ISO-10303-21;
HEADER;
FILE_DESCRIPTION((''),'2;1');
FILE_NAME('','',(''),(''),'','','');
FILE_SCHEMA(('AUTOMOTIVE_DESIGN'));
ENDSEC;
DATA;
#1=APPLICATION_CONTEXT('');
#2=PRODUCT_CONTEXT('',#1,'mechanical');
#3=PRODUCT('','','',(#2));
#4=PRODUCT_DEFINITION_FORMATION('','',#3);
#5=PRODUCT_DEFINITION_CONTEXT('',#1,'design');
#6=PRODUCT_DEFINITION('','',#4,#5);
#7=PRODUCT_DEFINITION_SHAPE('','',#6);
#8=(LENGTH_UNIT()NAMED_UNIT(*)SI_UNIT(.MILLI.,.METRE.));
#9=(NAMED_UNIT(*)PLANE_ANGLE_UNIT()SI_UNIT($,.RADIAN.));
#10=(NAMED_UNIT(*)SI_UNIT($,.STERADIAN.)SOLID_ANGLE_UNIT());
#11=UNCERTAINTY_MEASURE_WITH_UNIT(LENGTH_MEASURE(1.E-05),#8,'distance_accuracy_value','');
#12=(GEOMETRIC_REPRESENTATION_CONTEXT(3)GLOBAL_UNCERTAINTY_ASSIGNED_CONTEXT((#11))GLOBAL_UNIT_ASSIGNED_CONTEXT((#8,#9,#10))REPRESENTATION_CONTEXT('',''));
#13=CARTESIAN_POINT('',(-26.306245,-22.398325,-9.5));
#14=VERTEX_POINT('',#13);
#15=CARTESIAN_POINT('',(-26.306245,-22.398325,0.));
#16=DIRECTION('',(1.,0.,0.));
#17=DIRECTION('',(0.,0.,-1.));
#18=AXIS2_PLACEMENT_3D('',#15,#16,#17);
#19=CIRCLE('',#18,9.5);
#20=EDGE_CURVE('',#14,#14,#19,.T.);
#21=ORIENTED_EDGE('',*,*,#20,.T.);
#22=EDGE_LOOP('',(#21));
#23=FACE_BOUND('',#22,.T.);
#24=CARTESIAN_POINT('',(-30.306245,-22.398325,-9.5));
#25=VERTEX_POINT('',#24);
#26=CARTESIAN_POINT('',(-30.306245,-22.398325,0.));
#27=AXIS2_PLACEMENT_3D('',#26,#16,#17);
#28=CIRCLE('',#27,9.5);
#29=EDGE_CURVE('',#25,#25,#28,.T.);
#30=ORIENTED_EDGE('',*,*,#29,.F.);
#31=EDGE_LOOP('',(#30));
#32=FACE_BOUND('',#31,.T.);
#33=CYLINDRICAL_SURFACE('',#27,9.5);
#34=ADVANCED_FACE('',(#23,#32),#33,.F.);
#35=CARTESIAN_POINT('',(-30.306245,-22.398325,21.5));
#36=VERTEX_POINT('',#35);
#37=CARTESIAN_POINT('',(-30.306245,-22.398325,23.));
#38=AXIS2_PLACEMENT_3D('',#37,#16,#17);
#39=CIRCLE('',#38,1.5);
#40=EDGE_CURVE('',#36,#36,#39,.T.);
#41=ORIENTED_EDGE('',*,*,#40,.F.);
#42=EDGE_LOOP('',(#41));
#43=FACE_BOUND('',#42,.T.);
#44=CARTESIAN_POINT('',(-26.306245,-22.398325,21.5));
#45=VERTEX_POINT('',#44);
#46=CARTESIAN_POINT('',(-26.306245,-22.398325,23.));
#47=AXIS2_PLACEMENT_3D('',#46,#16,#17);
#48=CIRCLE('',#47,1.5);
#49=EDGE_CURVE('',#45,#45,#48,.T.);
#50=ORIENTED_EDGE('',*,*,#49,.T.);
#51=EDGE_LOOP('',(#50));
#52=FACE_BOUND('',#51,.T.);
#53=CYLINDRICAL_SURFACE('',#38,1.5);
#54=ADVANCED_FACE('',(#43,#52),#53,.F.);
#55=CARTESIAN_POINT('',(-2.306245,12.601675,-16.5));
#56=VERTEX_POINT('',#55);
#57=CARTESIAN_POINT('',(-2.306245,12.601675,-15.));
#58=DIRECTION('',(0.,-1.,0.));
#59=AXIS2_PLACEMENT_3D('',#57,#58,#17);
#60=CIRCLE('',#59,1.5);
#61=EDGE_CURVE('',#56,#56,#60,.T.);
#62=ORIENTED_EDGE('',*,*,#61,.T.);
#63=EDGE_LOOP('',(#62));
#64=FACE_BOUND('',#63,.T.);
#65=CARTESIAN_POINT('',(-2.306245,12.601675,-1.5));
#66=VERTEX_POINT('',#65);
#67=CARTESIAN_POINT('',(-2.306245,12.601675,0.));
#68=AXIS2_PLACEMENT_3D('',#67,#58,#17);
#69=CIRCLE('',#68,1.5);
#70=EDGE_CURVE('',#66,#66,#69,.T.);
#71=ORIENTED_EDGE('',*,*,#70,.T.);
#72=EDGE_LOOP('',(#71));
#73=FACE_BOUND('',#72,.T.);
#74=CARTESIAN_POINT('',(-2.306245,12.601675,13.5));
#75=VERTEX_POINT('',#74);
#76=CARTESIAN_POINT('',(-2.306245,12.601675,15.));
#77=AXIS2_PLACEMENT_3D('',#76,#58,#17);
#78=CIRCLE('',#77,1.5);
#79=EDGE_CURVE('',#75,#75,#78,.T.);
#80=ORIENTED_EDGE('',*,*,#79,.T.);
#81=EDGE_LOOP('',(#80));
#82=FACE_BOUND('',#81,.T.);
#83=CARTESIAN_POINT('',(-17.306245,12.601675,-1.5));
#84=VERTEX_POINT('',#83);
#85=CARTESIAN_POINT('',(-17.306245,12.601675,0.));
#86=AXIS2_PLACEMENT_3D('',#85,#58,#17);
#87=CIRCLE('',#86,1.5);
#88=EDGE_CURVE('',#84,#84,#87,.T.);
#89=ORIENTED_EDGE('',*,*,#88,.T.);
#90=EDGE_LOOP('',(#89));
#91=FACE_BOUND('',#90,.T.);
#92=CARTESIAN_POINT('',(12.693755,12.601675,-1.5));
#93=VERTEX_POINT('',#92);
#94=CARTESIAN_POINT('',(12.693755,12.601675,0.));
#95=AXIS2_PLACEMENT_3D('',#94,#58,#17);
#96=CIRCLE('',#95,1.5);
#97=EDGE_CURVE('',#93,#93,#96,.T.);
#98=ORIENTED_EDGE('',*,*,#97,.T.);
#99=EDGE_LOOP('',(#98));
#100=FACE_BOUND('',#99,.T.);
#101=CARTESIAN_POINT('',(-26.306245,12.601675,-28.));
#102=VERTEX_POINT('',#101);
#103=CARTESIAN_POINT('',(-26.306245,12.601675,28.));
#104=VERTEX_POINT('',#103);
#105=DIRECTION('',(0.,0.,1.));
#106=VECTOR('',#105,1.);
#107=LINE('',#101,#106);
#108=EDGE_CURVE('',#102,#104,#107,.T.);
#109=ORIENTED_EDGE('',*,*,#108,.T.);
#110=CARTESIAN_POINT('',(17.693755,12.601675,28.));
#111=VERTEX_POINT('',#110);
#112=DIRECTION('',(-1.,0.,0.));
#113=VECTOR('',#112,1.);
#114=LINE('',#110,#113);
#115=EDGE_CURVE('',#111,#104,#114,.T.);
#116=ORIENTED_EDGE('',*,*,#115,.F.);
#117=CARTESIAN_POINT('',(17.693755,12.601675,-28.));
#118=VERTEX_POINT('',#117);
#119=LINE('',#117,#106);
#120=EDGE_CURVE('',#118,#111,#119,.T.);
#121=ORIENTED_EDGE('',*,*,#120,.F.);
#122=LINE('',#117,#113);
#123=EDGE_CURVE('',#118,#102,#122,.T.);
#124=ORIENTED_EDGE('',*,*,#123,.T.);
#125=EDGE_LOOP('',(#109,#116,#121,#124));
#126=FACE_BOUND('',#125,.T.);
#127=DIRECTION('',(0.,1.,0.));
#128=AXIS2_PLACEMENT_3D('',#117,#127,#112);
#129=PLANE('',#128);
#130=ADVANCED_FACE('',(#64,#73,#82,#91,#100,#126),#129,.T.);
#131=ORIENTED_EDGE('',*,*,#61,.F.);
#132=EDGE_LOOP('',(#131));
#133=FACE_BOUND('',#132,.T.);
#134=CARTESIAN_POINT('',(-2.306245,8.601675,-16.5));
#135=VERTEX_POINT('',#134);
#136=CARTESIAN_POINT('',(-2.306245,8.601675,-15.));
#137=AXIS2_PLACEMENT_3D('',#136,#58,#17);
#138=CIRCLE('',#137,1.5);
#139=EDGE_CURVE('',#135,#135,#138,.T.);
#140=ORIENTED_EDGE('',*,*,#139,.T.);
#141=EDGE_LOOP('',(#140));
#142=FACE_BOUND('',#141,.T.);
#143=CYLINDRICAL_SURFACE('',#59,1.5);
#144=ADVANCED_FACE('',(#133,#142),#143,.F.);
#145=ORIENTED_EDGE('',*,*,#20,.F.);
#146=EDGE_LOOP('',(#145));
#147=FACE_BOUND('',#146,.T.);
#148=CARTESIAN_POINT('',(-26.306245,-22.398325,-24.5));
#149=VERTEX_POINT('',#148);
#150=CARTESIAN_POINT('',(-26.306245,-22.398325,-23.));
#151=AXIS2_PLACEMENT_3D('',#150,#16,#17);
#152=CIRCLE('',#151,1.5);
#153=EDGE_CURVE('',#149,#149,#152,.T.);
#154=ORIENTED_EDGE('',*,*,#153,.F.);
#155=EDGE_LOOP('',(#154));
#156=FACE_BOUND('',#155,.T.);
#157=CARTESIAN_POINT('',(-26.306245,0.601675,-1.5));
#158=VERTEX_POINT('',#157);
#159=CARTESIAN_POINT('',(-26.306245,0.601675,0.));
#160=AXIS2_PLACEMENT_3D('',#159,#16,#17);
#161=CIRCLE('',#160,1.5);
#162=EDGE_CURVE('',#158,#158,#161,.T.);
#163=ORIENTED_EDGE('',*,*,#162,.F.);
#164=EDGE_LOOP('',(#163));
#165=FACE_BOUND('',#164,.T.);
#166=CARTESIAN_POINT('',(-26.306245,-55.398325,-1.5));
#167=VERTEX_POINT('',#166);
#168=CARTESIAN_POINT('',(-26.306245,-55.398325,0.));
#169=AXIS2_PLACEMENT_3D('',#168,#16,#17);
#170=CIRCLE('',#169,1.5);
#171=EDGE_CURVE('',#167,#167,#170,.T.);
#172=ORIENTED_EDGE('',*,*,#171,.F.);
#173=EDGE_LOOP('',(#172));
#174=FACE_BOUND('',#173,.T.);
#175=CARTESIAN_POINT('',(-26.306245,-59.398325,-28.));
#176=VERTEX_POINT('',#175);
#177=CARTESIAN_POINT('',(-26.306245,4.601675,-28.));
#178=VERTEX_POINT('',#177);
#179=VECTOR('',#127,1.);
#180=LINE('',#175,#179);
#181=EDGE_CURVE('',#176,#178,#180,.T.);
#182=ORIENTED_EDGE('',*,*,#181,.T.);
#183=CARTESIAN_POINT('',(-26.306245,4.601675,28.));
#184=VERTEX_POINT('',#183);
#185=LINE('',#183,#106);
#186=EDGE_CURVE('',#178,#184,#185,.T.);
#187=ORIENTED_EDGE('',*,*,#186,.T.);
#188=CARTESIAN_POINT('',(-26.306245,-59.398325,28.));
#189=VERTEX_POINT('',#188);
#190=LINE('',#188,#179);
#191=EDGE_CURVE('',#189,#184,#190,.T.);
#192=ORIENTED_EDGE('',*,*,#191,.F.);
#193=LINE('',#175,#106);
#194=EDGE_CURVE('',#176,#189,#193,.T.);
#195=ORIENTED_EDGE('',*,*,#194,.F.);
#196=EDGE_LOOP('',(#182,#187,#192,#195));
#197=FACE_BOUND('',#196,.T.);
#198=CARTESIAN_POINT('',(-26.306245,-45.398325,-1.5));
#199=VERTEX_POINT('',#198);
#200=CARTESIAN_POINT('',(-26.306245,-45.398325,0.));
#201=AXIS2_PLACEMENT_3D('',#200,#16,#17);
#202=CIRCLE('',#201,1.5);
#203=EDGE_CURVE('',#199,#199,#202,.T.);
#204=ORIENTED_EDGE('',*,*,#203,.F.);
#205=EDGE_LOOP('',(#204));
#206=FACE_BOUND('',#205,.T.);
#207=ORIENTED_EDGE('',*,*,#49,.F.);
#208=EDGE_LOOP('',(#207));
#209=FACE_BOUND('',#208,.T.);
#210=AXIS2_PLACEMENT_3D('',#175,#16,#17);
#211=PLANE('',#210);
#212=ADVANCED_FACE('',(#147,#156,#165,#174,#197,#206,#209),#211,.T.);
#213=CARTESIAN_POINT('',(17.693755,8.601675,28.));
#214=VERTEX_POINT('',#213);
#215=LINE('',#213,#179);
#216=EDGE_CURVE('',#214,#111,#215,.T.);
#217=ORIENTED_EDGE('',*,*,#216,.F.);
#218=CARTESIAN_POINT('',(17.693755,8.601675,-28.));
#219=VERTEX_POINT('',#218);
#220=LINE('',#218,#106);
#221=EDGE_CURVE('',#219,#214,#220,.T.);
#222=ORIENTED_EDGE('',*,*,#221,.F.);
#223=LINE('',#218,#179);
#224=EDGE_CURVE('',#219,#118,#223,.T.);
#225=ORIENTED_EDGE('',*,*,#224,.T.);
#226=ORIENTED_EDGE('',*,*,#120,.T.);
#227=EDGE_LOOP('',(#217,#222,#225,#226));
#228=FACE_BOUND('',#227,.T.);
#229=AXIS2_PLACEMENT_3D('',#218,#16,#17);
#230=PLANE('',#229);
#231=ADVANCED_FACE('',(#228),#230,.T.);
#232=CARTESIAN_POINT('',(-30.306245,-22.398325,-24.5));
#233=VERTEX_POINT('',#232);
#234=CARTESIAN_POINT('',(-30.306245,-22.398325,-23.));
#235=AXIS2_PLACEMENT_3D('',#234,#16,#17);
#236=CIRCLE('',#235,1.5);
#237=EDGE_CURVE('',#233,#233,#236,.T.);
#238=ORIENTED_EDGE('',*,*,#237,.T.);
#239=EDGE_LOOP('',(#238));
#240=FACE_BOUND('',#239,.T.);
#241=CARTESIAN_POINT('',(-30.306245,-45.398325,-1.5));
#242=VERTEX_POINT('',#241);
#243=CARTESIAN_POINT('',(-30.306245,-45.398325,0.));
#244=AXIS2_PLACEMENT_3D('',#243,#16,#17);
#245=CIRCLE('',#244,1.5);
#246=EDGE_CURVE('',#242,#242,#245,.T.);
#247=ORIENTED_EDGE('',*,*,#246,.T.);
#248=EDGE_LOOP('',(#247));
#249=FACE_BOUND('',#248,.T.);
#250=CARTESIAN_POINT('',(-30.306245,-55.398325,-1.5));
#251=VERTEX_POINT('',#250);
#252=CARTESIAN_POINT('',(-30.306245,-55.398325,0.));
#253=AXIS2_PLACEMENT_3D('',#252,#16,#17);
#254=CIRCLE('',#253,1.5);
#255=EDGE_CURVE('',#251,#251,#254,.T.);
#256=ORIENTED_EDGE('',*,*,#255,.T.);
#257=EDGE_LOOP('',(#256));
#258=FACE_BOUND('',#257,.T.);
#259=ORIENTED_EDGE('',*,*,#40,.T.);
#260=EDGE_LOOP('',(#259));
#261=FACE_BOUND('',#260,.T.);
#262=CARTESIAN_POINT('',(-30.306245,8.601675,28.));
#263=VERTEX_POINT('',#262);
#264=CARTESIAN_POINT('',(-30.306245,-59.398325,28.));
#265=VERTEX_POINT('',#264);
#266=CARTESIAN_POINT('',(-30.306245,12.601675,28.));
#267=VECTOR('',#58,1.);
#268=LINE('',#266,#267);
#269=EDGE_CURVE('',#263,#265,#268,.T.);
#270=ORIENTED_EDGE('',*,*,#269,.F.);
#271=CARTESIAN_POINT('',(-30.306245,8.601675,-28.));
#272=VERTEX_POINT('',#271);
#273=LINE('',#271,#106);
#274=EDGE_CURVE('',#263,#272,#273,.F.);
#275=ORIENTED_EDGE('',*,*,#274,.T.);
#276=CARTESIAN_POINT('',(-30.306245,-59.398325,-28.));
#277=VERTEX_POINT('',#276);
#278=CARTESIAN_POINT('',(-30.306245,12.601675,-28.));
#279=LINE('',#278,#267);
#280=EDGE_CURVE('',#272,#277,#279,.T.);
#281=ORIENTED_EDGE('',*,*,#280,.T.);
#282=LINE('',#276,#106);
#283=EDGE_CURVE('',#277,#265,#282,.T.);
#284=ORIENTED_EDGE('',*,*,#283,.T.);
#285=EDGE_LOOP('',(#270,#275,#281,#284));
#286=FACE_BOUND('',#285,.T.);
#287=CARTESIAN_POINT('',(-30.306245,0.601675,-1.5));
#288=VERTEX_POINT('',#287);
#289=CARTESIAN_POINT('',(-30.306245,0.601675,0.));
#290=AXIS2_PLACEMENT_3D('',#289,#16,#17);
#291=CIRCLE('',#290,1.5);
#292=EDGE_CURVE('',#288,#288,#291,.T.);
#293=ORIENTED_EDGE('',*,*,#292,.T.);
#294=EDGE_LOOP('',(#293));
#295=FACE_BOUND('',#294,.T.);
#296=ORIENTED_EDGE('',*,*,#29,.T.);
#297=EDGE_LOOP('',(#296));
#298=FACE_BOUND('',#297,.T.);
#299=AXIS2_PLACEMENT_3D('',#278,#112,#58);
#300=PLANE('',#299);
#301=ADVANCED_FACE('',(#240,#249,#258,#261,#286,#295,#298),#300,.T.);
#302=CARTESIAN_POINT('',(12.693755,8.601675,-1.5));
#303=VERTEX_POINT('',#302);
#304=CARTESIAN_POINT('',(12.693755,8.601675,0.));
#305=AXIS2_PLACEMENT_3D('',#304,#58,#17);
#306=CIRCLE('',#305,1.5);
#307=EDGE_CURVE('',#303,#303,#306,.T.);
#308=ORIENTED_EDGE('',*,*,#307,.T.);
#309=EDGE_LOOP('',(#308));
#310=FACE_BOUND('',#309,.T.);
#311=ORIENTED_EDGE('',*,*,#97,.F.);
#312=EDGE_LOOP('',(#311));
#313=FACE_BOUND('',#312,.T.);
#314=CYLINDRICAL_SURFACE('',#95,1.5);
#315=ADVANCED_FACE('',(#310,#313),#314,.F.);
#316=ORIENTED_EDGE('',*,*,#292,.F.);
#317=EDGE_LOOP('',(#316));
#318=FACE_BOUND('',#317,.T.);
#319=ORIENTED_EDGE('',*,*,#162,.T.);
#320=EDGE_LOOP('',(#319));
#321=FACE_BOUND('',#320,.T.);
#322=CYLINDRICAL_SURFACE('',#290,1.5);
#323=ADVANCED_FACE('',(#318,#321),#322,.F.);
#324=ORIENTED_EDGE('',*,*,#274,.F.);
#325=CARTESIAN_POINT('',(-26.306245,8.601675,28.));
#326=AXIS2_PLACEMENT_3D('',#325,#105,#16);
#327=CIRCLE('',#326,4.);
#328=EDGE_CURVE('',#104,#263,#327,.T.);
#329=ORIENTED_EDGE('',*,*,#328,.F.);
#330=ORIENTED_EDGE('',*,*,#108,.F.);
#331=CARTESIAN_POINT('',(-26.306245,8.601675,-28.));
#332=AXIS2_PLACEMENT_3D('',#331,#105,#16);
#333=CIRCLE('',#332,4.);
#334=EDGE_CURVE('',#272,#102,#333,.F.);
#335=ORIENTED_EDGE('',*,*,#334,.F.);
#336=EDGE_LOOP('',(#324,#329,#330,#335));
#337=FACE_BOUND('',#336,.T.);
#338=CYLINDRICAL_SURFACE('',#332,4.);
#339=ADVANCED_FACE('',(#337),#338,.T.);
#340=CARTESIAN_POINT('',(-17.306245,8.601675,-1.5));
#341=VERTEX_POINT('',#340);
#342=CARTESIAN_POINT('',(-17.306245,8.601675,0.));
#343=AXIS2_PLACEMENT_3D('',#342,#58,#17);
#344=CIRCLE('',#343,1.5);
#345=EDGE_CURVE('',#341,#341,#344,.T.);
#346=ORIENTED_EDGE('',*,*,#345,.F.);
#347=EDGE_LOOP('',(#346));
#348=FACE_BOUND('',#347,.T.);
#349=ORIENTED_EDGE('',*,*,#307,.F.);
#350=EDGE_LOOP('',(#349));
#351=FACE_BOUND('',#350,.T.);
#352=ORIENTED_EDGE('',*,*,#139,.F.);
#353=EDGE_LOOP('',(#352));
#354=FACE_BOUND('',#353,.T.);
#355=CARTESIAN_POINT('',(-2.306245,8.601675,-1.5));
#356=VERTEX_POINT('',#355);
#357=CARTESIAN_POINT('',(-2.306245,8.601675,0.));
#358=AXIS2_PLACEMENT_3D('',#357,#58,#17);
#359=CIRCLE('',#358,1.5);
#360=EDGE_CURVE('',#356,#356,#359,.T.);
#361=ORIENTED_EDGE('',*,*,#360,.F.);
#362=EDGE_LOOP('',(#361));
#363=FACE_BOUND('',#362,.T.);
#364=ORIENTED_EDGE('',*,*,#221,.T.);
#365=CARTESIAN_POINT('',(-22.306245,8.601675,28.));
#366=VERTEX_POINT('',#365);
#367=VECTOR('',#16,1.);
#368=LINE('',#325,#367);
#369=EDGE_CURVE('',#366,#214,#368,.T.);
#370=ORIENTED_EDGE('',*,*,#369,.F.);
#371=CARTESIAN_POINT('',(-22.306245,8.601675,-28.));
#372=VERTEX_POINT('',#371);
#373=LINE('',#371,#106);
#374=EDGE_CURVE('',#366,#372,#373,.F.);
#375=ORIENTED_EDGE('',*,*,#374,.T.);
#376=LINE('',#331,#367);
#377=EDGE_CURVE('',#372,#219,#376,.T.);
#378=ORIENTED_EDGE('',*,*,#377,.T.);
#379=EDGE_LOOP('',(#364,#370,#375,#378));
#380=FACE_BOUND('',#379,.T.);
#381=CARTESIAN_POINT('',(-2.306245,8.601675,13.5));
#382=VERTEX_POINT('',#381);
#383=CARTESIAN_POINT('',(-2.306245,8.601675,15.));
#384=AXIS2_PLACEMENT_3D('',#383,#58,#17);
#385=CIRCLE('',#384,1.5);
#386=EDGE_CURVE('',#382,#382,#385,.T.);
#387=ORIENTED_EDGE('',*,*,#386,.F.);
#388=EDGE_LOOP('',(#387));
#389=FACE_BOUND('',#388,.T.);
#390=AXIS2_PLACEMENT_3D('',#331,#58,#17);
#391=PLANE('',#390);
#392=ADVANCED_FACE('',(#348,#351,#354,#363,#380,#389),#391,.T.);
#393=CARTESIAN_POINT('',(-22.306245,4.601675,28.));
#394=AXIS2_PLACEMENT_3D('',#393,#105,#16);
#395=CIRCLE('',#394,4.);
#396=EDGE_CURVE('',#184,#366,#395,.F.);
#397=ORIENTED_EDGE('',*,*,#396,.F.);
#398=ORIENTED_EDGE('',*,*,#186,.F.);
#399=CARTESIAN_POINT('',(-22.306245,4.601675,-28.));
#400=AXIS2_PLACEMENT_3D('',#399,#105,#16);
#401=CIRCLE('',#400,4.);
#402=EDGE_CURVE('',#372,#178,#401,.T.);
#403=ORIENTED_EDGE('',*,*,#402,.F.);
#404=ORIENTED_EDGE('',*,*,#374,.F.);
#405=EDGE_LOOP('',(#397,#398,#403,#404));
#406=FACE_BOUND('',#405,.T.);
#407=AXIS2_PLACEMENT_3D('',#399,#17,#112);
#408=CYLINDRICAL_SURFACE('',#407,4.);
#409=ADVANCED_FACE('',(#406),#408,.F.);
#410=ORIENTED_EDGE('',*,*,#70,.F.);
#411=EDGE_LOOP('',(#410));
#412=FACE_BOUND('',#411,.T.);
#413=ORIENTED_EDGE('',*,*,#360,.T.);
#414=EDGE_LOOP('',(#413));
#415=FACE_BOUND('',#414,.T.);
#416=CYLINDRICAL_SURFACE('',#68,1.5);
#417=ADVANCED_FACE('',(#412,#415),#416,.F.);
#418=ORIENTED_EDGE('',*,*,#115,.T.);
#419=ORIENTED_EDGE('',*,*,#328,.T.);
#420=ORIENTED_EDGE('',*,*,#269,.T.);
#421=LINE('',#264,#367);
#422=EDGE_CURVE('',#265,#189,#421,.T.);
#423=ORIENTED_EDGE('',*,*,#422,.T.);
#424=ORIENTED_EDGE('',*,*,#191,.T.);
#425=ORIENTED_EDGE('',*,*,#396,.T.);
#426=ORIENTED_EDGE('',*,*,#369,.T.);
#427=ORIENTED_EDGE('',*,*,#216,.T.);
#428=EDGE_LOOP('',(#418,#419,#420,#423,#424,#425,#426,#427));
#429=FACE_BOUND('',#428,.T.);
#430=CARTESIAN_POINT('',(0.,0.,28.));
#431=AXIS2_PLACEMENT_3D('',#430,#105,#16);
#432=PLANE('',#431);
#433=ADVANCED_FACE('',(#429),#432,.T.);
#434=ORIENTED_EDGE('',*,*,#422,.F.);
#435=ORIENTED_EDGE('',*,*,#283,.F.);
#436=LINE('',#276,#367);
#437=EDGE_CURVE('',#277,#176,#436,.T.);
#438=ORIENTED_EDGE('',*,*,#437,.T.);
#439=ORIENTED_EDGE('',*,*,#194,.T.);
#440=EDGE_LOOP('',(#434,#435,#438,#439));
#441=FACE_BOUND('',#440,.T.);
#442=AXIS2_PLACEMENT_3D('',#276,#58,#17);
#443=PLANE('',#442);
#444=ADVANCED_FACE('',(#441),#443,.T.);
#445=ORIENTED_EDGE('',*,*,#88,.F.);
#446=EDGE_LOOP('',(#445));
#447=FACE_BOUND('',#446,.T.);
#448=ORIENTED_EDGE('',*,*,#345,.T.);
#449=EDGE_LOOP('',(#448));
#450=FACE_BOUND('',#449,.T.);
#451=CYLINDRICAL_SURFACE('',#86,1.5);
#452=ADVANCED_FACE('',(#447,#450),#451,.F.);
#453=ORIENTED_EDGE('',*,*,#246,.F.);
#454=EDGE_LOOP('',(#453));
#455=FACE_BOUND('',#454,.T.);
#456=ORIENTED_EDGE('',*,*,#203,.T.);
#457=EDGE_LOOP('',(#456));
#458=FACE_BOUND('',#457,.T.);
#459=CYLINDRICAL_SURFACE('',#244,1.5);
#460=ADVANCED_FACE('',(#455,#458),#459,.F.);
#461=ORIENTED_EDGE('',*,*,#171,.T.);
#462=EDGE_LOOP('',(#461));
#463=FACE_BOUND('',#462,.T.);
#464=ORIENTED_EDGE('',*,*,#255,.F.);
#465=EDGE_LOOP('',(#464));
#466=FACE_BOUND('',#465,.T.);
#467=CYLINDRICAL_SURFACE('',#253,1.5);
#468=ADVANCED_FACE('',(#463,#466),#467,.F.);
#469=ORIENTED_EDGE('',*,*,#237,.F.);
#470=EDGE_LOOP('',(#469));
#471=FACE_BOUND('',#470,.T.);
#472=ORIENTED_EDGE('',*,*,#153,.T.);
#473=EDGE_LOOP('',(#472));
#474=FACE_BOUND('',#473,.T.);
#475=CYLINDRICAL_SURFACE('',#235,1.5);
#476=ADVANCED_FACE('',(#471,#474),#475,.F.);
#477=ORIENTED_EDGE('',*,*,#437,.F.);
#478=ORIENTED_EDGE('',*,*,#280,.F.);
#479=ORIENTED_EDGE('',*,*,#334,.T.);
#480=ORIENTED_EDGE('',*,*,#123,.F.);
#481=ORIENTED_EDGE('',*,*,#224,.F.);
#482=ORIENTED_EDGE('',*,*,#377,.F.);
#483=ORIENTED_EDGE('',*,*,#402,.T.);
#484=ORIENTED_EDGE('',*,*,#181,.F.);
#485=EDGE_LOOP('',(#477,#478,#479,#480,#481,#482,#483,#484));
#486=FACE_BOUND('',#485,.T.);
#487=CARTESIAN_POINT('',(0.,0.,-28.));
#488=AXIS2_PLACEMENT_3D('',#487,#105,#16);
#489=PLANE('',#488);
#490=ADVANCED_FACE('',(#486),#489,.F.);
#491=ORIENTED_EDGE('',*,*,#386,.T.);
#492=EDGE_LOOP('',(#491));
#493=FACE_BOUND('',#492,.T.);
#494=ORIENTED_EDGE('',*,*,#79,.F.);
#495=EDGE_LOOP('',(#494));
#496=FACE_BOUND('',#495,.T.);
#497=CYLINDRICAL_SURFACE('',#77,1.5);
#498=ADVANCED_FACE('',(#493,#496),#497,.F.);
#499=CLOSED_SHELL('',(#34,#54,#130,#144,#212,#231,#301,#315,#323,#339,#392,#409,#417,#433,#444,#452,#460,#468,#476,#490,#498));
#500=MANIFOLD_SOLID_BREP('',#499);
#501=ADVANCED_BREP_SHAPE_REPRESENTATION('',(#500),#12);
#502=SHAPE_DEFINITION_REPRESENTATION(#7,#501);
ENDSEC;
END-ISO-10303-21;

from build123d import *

# Parameters (mm, degrees)
BOSS_EXTRUDE1_DEPTH      = 28
BOSS_EXTRUDE1_DEPTH_BACK = 28
SKETCH3_R                = 9.5
SKETCH3_R_2              = 1.5
CUT_EXTRUDE1_DEPTH       = 4
FILLET2_R                = 4
SKETCH4_R                = 1.5
CUT_EXTRUDE2_DEPTH       = 4


with BuildPart() as part:
    # Sketch2 → Boss-Extrude1 (new body, two sides)
    with BuildSketch(Plane.XY) as boss_extrude1_sk:
        Polygon((-30.306244844, -59.398325359), (-26.306244844, -59.398325359), (-26.306244844, 8.601674641), (17.693755156, 8.601674641), (17.693755156, 12.601674641), (-30.306244844, 12.601674641), align=None)
    extrude(amount=BOSS_EXTRUDE1_DEPTH)
    extrude(boss_extrude1_sk.sketch, amount=-BOSS_EXTRUDE1_DEPTH_BACK)

    # Sketch3 → Cut-Extrude1 (cut)
    with BuildSketch(Plane(origin=(-26.306244844, 0, 0), x_dir=(0, 0, -1), z_dir=(1, 0, 0))):
        with Locations((0, -22.398325359)):
            Circle(SKETCH3_R)
        with Locations((0, 0.601674641)):
            Circle(SKETCH3_R_2)
        with Locations((23, -22.398325359)):
            Circle(SKETCH3_R_2)
        with Locations((0, -45.398325359)):
            Circle(SKETCH3_R_2)
        with Locations((-23, -22.398325359)):
            Circle(SKETCH3_R_2)
        with Locations((0, -55.398325359)):
            Circle(SKETCH3_R_2)
    extrude(amount=-CUT_EXTRUDE1_DEPTH, mode=Mode.SUBTRACT)

    # Fillet2
    fillet2_edges = [part.edges().sort_by_distance(p)[0] for p in [
        (-30.306244844, 12.601674641, 0),
        (-26.306244844, 8.601674641, 0),
    ]]
    fillet(fillet2_edges, radius=FILLET2_R)

    # Sketch4 → Cut-Extrude2 (cut)
    with BuildSketch(Plane.XZ.offset(-8.601674641)):
        with Locations((-2.306244844, 0)):
            Circle(SKETCH4_R)
        with Locations((-17.306244844, 0)):
            Circle(SKETCH4_R)
        with Locations((-2.306244844, 15)):
            Circle(SKETCH4_R)
        with Locations((12.693755156, 0)):
            Circle(SKETCH4_R)
        with Locations((-2.306244844, -15)):
            Circle(SKETCH4_R)
    extrude(amount=-CUT_EXTRUDE2_DEPTH, mode=Mode.SUBTRACT)


solid = part.part
